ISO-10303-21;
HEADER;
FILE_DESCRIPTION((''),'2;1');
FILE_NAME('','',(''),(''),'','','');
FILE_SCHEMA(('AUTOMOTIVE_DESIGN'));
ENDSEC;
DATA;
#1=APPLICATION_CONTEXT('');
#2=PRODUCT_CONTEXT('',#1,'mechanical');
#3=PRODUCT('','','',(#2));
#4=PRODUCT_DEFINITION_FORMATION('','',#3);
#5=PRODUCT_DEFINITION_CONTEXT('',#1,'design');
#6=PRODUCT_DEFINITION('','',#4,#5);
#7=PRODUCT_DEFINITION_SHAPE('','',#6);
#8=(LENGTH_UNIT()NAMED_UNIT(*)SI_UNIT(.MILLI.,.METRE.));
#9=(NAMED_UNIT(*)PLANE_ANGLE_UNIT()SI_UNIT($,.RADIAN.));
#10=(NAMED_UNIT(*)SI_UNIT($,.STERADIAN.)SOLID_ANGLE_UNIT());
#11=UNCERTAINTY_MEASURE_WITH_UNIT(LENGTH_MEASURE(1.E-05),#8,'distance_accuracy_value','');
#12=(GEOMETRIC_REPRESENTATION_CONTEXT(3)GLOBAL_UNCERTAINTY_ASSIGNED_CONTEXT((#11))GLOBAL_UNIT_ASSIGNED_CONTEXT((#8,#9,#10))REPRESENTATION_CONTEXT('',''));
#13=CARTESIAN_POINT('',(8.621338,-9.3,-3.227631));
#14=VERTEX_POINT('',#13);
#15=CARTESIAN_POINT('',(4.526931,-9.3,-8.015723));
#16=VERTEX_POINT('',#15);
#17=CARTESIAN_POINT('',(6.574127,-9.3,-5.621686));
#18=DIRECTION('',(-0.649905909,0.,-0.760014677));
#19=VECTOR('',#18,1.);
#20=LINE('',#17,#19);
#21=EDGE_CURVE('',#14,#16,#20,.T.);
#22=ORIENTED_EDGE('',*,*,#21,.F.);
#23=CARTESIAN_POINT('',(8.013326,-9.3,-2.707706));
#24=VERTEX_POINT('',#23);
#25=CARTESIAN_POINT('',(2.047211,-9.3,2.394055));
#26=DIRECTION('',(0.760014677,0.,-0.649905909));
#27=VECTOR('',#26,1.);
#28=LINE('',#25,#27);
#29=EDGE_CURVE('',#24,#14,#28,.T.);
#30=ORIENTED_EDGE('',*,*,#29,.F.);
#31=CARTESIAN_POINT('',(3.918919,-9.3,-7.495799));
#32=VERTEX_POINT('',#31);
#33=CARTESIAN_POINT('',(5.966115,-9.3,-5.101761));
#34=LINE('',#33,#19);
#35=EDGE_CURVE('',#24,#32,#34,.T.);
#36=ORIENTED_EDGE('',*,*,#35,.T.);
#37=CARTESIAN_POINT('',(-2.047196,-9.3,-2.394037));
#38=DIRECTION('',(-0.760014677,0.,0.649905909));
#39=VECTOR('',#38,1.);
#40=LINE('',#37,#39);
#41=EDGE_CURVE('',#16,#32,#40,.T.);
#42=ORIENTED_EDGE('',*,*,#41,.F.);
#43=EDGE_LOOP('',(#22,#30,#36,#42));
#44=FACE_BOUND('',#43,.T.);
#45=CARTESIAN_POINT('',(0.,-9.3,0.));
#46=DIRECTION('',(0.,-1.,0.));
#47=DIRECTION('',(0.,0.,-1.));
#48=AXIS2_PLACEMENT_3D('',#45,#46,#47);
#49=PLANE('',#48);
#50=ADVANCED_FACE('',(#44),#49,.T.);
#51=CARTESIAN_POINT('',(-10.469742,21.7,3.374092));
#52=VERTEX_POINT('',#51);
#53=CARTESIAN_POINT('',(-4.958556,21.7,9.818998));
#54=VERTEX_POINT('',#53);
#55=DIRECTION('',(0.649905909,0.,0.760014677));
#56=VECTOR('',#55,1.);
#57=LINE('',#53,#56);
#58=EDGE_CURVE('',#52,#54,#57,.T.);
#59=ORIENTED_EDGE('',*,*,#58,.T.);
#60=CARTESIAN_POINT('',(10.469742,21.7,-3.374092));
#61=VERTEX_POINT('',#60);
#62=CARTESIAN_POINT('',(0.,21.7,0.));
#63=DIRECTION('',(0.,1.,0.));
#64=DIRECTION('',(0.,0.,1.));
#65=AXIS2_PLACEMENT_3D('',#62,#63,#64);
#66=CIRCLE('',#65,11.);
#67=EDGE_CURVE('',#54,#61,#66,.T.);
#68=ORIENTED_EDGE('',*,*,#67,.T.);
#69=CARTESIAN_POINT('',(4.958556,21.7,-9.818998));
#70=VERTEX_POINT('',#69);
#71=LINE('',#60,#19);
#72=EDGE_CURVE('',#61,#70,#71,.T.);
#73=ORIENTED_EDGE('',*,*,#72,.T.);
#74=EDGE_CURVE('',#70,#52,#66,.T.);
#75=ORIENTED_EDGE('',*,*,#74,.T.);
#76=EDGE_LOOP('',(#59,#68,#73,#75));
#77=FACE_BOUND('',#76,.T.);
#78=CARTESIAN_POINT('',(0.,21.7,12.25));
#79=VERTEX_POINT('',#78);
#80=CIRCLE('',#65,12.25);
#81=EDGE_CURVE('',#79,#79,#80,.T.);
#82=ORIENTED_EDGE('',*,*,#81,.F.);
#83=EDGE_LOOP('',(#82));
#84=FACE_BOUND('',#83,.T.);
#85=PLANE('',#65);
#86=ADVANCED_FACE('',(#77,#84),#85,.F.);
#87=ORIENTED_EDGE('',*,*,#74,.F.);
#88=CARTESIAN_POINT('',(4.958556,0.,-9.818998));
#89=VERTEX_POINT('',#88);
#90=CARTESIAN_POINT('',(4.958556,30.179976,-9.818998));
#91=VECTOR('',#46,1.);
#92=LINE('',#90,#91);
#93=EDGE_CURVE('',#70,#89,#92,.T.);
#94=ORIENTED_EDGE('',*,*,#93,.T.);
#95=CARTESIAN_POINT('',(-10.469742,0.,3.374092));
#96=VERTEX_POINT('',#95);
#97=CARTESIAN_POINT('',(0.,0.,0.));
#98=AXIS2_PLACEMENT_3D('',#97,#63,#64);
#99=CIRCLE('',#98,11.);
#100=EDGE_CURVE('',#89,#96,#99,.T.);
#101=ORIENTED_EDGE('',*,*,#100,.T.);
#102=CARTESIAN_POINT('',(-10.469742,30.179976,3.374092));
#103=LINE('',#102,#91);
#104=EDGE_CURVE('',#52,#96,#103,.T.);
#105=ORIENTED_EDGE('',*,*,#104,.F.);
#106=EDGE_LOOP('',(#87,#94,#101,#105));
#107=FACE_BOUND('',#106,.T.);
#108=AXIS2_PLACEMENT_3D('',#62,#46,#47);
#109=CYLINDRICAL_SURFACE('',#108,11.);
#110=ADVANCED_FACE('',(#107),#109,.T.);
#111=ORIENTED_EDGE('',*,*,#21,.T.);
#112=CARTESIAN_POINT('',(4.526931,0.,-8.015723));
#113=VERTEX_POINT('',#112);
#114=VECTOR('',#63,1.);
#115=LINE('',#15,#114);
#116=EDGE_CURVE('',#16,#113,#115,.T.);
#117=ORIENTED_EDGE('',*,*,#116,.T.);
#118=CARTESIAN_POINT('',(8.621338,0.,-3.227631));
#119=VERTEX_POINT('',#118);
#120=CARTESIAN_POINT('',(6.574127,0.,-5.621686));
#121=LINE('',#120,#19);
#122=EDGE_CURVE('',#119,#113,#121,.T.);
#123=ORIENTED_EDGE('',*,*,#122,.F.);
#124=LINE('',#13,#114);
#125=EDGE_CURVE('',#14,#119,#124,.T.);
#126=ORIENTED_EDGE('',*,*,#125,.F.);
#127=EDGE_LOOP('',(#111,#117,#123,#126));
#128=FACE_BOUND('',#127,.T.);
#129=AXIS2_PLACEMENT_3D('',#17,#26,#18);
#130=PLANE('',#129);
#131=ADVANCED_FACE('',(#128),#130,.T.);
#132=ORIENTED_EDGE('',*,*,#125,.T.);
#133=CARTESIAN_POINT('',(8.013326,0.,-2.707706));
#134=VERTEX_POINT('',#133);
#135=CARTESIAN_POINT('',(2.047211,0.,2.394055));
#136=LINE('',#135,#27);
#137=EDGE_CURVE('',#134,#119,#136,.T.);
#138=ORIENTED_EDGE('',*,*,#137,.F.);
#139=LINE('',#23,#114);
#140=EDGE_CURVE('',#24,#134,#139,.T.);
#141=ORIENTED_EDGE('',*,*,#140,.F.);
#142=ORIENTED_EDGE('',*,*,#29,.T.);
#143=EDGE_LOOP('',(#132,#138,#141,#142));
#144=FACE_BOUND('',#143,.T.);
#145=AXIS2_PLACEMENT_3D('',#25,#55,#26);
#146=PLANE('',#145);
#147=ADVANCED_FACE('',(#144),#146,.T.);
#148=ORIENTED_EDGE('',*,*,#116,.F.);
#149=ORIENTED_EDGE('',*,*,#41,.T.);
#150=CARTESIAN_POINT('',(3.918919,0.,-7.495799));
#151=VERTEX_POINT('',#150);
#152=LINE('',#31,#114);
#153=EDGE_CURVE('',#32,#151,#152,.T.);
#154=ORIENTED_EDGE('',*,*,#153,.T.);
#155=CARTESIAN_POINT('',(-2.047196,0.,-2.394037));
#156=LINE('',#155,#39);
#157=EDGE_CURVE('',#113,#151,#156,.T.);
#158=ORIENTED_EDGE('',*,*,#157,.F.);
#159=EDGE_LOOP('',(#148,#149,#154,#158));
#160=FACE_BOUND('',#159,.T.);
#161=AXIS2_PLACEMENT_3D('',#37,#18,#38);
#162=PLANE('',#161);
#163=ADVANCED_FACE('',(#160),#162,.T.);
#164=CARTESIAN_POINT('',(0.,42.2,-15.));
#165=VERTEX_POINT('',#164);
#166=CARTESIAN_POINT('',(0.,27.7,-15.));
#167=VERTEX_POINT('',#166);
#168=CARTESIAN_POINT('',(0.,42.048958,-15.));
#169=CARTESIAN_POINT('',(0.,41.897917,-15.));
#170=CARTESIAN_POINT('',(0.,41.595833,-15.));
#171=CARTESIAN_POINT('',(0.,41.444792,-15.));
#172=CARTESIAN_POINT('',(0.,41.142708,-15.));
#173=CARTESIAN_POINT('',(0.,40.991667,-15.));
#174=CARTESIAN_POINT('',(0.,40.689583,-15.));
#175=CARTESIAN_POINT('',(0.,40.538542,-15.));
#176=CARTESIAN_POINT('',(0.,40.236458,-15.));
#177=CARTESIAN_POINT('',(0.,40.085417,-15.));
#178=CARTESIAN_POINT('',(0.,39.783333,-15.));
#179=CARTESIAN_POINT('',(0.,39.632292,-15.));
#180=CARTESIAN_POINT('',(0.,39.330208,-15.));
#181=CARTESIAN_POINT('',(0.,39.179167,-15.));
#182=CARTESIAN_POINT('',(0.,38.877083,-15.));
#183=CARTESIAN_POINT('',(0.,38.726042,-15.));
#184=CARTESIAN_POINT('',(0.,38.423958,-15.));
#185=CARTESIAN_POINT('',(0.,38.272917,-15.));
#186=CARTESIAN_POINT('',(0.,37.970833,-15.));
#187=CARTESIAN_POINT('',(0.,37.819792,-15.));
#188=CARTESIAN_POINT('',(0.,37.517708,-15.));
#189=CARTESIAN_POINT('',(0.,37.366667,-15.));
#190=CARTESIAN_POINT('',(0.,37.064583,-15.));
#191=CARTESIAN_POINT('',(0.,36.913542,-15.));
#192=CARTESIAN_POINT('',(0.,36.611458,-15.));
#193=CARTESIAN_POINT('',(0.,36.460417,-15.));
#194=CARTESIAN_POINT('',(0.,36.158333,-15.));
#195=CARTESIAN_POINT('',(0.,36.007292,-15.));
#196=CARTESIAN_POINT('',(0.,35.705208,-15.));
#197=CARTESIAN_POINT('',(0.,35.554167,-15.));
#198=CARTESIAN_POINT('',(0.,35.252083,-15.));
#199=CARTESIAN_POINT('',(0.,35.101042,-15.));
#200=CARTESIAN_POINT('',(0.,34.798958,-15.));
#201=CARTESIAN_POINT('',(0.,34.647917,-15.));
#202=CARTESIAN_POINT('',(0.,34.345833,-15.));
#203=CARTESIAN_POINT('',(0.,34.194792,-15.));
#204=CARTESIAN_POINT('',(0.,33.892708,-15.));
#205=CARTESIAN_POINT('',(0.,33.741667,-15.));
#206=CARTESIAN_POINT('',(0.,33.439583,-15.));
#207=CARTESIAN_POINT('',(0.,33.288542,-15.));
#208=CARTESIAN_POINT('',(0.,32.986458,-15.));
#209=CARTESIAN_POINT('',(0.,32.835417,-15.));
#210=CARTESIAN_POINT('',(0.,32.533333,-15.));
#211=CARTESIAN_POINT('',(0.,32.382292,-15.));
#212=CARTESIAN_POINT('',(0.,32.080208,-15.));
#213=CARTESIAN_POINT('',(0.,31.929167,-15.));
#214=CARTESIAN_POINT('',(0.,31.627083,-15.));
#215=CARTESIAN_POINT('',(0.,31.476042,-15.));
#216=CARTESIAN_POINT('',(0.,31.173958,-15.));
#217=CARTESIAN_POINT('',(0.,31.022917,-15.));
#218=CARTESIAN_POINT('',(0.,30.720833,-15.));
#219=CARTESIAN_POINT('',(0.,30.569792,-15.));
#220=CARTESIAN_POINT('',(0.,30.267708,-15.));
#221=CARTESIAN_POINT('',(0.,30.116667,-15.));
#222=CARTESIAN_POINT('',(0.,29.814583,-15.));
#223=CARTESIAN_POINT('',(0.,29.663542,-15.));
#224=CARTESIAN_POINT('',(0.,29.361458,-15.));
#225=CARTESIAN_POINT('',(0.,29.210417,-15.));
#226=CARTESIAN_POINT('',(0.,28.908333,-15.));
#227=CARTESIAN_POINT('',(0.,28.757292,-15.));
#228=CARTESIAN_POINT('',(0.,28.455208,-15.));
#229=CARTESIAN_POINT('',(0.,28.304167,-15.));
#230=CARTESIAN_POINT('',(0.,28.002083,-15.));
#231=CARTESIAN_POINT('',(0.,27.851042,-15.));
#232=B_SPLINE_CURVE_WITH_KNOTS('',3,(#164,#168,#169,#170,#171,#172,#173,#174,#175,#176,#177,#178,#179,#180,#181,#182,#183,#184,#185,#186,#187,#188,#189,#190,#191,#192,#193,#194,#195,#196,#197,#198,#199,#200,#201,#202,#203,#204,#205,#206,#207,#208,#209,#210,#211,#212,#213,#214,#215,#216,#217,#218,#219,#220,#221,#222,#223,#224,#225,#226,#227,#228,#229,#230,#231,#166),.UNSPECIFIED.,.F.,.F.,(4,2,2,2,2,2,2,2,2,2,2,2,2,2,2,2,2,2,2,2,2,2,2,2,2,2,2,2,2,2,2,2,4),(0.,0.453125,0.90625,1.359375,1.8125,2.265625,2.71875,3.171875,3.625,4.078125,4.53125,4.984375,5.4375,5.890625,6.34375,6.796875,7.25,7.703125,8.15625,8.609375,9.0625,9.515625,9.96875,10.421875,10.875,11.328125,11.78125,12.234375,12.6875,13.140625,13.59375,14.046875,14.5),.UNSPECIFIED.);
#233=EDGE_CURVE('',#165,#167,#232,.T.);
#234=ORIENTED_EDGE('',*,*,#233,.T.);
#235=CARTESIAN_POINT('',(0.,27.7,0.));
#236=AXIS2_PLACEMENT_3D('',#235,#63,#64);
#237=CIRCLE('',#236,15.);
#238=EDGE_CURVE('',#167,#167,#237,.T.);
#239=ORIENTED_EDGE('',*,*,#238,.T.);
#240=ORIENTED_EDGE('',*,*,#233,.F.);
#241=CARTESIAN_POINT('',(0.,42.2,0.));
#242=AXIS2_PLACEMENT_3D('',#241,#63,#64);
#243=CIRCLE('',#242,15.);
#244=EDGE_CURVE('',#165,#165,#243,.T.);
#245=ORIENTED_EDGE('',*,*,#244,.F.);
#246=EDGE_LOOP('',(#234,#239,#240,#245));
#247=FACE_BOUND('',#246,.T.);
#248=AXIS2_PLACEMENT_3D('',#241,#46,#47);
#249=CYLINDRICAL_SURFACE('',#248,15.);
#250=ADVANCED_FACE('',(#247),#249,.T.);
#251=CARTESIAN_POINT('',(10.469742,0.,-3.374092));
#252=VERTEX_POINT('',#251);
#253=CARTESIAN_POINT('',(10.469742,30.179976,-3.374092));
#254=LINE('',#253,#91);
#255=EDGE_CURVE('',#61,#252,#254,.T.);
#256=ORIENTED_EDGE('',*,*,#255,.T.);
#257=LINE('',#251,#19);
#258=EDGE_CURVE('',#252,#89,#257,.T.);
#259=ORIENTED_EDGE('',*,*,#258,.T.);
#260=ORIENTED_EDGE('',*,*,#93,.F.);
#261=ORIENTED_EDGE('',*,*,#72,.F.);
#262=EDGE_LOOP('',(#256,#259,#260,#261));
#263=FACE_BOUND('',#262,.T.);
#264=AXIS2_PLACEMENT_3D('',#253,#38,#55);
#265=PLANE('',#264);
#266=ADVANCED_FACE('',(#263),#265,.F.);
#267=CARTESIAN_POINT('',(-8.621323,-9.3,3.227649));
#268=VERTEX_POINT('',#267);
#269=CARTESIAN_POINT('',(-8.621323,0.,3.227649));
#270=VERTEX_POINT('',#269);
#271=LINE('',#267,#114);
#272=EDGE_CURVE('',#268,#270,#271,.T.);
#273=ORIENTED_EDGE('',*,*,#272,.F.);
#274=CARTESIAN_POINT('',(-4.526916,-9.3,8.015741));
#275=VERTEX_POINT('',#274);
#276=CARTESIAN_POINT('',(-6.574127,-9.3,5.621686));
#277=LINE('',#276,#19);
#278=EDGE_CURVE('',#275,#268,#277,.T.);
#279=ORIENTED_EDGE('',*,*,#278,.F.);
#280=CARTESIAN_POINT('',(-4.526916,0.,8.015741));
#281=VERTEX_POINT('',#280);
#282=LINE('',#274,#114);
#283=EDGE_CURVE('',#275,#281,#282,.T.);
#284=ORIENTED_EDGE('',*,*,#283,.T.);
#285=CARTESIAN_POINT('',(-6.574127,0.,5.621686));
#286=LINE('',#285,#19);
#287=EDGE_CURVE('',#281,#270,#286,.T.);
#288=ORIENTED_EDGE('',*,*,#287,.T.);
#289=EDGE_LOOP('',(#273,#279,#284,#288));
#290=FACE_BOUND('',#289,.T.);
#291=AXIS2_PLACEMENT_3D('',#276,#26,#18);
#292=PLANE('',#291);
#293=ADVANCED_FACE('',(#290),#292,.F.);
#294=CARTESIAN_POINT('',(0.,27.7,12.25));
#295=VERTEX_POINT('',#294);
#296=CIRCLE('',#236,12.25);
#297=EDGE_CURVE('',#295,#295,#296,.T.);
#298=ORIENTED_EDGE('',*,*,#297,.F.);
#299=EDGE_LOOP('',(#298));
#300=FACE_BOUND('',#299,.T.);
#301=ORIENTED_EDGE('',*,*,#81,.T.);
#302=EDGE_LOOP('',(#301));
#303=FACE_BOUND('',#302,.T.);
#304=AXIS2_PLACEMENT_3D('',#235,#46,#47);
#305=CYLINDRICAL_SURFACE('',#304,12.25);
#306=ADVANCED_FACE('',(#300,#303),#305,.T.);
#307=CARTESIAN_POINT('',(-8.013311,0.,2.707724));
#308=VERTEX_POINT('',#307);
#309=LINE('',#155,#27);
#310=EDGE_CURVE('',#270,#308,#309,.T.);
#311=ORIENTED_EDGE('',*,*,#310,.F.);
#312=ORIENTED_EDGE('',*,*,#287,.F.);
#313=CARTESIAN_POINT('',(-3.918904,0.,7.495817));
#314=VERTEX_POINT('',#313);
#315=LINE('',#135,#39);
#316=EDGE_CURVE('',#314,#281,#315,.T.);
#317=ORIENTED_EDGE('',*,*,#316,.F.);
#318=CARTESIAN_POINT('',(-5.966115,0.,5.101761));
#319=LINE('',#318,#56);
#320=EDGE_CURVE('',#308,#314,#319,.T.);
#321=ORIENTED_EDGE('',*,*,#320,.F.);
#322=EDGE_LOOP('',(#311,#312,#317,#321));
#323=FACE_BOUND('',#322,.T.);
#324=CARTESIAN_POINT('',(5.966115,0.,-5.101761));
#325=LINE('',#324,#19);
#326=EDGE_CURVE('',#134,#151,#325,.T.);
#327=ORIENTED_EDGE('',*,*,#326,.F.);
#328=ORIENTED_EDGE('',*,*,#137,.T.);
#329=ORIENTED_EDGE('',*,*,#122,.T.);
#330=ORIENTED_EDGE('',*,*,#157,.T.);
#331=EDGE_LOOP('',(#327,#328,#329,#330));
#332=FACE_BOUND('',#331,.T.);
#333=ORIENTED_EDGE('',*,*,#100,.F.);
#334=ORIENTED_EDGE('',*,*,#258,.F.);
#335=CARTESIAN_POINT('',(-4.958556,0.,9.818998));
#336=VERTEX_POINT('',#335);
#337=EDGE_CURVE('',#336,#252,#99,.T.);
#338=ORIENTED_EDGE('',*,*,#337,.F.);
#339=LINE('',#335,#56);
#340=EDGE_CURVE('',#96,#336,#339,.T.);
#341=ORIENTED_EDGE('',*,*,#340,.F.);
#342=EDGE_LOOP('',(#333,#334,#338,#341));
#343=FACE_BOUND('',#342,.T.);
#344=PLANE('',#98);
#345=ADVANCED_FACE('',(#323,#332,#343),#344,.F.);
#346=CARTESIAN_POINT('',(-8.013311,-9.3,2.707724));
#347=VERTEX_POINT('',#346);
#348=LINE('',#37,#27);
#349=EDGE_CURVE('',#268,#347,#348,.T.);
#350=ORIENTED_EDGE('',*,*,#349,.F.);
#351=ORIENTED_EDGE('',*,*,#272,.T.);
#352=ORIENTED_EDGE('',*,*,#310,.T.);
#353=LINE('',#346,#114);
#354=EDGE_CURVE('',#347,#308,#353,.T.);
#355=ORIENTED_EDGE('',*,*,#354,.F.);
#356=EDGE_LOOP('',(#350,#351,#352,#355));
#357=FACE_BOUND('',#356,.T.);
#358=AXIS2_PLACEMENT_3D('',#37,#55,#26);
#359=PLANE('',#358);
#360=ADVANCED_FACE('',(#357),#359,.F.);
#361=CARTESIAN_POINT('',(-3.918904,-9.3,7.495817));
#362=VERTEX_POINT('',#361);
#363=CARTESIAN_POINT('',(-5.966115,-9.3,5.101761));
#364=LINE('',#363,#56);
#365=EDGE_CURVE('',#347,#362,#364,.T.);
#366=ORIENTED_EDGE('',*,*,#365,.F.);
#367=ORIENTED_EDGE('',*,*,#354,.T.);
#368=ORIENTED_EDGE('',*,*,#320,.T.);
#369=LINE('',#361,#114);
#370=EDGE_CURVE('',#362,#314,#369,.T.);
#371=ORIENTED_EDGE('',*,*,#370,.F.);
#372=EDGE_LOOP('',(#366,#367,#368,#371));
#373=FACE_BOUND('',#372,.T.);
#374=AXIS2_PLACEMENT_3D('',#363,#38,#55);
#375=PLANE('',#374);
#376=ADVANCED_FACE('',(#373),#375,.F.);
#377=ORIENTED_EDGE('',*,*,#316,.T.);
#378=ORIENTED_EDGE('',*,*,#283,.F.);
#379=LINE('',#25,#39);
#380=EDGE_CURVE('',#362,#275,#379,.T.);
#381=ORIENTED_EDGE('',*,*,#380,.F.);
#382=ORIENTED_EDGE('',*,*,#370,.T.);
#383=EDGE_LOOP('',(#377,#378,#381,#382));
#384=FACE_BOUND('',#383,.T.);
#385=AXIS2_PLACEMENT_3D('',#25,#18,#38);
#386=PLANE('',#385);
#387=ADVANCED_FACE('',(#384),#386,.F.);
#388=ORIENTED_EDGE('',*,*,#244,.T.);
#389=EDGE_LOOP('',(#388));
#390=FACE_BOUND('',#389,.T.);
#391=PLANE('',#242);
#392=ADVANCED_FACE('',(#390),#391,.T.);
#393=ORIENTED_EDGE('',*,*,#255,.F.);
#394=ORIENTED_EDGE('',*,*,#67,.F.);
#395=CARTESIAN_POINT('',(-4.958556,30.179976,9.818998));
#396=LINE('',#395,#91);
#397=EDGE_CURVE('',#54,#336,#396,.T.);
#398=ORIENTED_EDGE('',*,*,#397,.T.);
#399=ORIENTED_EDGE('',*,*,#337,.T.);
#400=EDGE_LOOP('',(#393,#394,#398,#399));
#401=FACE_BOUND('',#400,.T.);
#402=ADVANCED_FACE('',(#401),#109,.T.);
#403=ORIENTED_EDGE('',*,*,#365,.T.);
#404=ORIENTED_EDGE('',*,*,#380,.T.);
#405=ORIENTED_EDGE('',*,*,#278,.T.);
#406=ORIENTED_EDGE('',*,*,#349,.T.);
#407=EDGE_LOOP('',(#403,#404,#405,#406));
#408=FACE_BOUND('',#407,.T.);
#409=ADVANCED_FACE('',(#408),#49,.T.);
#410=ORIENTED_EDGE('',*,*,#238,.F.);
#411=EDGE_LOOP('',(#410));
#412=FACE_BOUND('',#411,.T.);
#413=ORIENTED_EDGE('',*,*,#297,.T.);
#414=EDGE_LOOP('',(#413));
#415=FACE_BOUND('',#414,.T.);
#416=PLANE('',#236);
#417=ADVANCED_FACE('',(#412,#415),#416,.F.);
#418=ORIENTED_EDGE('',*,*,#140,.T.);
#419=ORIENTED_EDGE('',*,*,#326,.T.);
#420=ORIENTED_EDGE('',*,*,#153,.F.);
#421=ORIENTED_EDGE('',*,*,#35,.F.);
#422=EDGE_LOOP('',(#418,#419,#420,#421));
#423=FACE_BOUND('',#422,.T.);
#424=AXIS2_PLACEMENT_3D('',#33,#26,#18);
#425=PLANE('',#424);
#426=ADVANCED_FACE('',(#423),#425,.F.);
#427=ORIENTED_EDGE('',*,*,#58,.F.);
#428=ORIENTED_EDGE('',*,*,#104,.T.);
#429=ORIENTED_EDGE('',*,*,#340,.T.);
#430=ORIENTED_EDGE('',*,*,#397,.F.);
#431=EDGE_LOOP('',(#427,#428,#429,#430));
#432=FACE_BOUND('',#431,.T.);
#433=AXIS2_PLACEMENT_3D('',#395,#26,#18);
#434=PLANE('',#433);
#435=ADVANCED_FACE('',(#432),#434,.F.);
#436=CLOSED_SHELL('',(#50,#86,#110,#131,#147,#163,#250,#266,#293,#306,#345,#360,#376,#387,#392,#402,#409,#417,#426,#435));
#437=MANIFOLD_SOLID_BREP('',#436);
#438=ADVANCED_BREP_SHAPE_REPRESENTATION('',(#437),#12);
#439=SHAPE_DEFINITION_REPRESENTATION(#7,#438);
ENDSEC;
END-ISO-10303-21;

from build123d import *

# Parameters (mm, degrees)
SKETCH1_R           = 11
BOSS_EXTRUDE1_DEPTH = 21.7
SKETCH7_R           = 12.25
BOSS_EXTRUDE6_DEPTH = 6
SKETCH8_R           = 15
BOSS_EXTRUDE7_DEPTH = 14.5
CUT_EXTRUDE4_DEPTH  = 21.7
BOSS_EXTRUDE8_DEPTH = 9.3


with BuildPart() as part:
    # Sketch1 → Boss-Extrude1 (new body)
    with BuildSketch(Plane(origin=(0, 0, 0), x_dir=(1, 0, 0), z_dir=(0, 1, 0))):
        with Locations(Location((0, 0, 0), (0, 0, 270))):
            Circle(SKETCH1_R)
    extrude(amount=BOSS_EXTRUDE1_DEPTH)

    # Sketch7 → Boss-Extrude6 (add)
    with BuildSketch(Plane(origin=(0, 21.7, 0), x_dir=(1, 0, 0), z_dir=(0, 1, 0))):
        with Locations(Location((0, 0, 0), (0, 0, 270))):
            Circle(SKETCH7_R)
    extrude(amount=BOSS_EXTRUDE6_DEPTH)

    # Sketch8 → Boss-Extrude7 (add)
    with BuildSketch(Plane(origin=(0, 27.7, 0), x_dir=(1, 0, 0), z_dir=(0, 1, 0))):
        with Locations(Location((0, 0, 0), (0, 0, 90))):
            Circle(SKETCH8_R)
    extrude(amount=BOSS_EXTRUDE7_DEPTH)

    # Sketch3 → Cut-Extrude4 (cut)
    with BuildSketch(Plane.XZ):
        with BuildLine():
            Line((-4.958555581, 9.818998246), (-10.469742362, 3.374091709))
            ThreePointArc((-10.469742362, 3.374091709), (-8.360161447, 7.148965), (-4.958555581, 9.818998246))
        make_face()
        with BuildLine():
            Line((10.469742362, -3.374091709), (4.958555581, -9.818998246))
            ThreePointArc((4.958555581, -9.818998246), (8.360161447, -7.148965), (10.469742362, -3.374091709))
        make_face()
    extrude(amount=-CUT_EXTRUDE4_DEPTH, mode=Mode.SUBTRACT)

    # Sketch9 → Boss-Extrude8 (add)
    with BuildSketch(Plane.XZ):
        Polygon((8.013326492, -2.707706192), (8.621338234, -3.227630919), (4.526931006, -8.015723384), (3.918919265, -7.495798657), align=None)
        Polygon((-3.918903937, 7.495816582), (-4.526915678, 8.015741309), (-8.621322906, 3.227648844), (-8.013311164, 2.707724116), align=None)
    extrude(amount=BOSS_EXTRUDE8_DEPTH)


solid = part.part
